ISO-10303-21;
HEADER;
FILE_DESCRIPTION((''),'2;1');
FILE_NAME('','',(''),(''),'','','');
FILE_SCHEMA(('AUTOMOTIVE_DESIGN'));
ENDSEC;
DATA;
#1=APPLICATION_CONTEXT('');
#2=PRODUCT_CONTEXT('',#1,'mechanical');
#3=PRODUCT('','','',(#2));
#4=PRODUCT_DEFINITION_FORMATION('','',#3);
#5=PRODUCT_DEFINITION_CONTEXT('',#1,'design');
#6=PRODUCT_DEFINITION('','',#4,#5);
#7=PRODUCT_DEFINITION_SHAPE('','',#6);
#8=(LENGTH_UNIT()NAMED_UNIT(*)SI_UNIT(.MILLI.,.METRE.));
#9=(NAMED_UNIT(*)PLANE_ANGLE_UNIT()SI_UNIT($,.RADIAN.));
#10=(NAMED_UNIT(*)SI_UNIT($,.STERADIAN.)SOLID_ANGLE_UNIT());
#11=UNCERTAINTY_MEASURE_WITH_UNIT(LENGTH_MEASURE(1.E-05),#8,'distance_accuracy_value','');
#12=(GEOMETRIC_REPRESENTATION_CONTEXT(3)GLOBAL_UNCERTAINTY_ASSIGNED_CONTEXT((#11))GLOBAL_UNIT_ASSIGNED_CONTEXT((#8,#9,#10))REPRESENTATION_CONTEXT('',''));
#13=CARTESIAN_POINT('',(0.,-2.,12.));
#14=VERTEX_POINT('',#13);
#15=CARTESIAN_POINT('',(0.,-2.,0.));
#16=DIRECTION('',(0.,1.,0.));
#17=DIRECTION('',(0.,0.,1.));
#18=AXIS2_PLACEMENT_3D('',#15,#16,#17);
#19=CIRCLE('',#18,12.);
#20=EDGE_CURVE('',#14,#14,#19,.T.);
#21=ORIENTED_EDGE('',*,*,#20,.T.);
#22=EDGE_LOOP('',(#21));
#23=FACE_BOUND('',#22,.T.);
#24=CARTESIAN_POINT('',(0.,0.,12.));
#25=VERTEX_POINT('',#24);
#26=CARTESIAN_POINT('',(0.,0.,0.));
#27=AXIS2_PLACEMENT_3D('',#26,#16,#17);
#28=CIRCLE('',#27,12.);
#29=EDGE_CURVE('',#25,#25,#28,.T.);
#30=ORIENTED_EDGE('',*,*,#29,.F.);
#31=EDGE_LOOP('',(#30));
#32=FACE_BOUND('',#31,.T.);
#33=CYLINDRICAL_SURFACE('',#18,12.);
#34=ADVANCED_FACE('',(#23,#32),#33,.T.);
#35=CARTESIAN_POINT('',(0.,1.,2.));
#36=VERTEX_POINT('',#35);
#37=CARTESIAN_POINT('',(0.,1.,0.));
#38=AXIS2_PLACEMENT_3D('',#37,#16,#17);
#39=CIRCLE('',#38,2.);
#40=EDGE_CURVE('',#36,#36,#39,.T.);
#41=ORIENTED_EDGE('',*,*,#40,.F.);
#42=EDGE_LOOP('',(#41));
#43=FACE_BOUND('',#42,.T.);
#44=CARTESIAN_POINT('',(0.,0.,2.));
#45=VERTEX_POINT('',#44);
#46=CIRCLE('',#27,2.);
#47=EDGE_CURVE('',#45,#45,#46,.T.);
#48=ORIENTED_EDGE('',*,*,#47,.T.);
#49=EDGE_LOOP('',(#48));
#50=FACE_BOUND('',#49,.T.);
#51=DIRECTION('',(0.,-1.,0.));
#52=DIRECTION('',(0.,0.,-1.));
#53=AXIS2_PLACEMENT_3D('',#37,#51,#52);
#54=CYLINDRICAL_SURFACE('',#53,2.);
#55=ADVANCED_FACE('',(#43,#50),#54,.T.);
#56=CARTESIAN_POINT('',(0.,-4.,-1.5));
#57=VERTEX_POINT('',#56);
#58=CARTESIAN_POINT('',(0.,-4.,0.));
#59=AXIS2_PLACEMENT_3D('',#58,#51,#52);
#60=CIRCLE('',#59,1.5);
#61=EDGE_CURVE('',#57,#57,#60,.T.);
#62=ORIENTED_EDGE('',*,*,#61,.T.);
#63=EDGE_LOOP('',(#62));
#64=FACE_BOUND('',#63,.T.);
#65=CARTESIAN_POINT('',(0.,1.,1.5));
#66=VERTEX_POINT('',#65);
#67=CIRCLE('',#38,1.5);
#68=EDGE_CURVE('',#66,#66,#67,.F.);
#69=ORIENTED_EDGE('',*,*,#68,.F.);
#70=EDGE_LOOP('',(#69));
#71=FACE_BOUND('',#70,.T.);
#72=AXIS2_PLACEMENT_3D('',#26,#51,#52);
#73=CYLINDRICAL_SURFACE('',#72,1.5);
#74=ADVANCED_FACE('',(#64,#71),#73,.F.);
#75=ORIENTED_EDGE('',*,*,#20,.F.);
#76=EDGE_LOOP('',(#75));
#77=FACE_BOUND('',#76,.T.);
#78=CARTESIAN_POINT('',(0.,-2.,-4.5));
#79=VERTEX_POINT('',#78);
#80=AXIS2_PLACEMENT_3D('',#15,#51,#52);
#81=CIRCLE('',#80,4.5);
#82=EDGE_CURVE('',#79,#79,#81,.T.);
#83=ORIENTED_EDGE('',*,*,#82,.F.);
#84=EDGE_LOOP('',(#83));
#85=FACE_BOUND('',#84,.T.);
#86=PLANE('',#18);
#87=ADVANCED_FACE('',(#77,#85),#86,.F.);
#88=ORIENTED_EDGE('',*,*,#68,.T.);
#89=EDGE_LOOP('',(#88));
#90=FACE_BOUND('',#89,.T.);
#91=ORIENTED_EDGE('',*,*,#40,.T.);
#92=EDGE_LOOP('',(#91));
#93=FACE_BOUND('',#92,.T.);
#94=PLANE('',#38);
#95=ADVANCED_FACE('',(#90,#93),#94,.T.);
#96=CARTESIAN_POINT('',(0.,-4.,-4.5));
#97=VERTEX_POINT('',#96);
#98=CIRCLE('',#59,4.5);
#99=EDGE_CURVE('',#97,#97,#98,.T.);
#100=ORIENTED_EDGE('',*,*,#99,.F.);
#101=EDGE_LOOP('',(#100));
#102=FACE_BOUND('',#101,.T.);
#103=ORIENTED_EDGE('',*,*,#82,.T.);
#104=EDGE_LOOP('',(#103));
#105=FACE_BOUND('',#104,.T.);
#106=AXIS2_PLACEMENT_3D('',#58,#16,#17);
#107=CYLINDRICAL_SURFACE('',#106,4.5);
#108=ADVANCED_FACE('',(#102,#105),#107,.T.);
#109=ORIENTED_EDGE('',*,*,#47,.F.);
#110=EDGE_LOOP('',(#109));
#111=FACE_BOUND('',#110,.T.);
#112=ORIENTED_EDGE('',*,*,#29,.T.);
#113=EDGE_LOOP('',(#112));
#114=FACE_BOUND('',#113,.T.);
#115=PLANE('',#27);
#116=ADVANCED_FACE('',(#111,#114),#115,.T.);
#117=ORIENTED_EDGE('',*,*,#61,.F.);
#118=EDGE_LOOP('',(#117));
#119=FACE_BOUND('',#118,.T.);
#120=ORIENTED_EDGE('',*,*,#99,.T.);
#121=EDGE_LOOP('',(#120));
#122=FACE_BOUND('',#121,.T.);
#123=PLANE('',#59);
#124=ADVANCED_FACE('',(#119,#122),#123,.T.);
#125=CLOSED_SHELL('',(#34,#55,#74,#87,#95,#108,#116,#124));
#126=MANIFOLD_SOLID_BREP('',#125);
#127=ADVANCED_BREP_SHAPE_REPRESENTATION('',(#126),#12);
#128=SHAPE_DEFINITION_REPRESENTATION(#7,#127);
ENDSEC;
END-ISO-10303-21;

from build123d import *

# Parameters (mm, degrees)
SKETCH1_R           = 12
BOSS_EXTRUDE1_DEPTH = 2
SKETCH2_R           = 4.5
BOSS_EXTRUDE2_DEPTH = 2
SKETCH3_R           = 1.5
CUT_EXTRUDE1_DEPTH  = 18.435595774
SKETCH4_R           = 2
SKETCH4_R_2         = 1.5
BOSS_EXTRUDE3_DEPTH = 1


with BuildPart() as part:
    # Sketch1 → Boss-Extrude1 (new body)
    with BuildSketch(Plane(origin=(0, 0, 0), x_dir=(1, 0, 0), z_dir=(0, 1, 0))):
        with Locations(Location((0, 0, 0), (0, 0, 270))):
            Circle(SKETCH1_R)
    extrude(amount=-BOSS_EXTRUDE1_DEPTH)

    # Sketch2 → Boss-Extrude2 (add)
    with BuildSketch(Plane.XZ.offset(2)):
        with Locations(Location((0, 0, 0), (0, 0, 270))):
            Circle(SKETCH2_R)
    extrude(amount=BOSS_EXTRUDE2_DEPTH)

    # Sketch3 → Cut-Extrude1 (cut, through all)
    with BuildSketch(Plane.XZ.offset(4)):
        with Locations(Location((0, 0, 0), (0, 0, 270))):
            Circle(SKETCH3_R)
    extrude(amount=-CUT_EXTRUDE1_DEPTH, mode=Mode.SUBTRACT)

    # Sketch4 → Boss-Extrude3 (add)
    with BuildSketch(Plane(origin=(0, 0, 0), x_dir=(1, 0, 0), z_dir=(0, 1, 0))):
        with Locations(Location((0, 0, 0), (0, 0, 270))):
            Circle(SKETCH4_R)
        with Locations(Location((0, 0, 0), (0, 0, 90))):
            Circle(SKETCH4_R_2, mode=Mode.SUBTRACT)
    extrude(amount=BOSS_EXTRUDE3_DEPTH)


solid = part.part
